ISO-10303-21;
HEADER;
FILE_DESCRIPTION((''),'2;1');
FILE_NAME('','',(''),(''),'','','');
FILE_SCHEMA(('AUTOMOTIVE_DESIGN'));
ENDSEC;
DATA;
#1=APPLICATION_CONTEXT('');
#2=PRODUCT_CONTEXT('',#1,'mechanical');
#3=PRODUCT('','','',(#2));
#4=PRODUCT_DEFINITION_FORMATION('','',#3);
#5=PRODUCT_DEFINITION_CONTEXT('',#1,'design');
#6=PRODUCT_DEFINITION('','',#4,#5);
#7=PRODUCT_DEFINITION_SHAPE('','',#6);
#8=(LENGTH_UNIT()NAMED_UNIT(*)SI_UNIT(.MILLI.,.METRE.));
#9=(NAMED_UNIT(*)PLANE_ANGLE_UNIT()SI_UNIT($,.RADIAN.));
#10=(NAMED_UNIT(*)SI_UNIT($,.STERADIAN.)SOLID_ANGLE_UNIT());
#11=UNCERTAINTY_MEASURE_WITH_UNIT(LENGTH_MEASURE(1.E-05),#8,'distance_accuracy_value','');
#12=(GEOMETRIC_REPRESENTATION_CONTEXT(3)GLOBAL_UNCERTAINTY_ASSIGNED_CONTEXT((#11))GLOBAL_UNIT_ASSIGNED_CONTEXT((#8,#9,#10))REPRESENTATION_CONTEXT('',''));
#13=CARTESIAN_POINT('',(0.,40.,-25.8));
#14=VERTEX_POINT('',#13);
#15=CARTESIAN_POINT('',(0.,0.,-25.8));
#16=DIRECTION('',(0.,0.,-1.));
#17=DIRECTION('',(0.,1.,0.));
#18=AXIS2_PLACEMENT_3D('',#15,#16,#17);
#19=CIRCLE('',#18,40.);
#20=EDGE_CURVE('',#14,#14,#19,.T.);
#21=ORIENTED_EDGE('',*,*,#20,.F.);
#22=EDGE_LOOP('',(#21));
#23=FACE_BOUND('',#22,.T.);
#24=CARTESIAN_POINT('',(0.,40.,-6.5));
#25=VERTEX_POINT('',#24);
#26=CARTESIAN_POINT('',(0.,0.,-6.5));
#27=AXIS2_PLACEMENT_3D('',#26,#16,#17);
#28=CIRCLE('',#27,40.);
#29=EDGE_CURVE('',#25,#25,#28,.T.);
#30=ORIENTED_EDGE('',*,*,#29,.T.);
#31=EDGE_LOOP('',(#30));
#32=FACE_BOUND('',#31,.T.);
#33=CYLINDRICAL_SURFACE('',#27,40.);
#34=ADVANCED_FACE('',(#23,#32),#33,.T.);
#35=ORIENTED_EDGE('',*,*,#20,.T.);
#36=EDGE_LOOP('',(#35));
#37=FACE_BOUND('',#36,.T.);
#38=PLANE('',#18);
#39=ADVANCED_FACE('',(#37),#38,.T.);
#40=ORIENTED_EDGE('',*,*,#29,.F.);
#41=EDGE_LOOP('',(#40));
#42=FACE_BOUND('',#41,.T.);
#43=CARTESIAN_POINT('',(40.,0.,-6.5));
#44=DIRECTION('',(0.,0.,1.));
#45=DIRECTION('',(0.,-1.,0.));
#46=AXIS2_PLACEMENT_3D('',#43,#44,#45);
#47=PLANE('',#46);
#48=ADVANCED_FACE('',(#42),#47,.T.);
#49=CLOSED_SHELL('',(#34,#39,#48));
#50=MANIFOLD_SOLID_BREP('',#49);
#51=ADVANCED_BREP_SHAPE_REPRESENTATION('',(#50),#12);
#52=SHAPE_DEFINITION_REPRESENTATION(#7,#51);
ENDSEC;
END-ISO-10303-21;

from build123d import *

# Parameters (mm, degrees)
SKETCH1_W = 40
SKETCH1_H = 19.3


with BuildPart() as part:
    # Sketch1 → Revolve1 (revolve)
    with BuildSketch(Plane.XZ, mode=Mode.PRIVATE) as revolve1_sk:
        with Locations((20, -16.15)):
            Rectangle(SKETCH1_W, SKETCH1_H)
    revolve(revolve1_sk.sketch.rotate(Axis((0, 0, -6.5), (0, 0, -1)), 270), axis=Axis((0, 0, -6.5), (0, 0, -1)))


solid = part.part
